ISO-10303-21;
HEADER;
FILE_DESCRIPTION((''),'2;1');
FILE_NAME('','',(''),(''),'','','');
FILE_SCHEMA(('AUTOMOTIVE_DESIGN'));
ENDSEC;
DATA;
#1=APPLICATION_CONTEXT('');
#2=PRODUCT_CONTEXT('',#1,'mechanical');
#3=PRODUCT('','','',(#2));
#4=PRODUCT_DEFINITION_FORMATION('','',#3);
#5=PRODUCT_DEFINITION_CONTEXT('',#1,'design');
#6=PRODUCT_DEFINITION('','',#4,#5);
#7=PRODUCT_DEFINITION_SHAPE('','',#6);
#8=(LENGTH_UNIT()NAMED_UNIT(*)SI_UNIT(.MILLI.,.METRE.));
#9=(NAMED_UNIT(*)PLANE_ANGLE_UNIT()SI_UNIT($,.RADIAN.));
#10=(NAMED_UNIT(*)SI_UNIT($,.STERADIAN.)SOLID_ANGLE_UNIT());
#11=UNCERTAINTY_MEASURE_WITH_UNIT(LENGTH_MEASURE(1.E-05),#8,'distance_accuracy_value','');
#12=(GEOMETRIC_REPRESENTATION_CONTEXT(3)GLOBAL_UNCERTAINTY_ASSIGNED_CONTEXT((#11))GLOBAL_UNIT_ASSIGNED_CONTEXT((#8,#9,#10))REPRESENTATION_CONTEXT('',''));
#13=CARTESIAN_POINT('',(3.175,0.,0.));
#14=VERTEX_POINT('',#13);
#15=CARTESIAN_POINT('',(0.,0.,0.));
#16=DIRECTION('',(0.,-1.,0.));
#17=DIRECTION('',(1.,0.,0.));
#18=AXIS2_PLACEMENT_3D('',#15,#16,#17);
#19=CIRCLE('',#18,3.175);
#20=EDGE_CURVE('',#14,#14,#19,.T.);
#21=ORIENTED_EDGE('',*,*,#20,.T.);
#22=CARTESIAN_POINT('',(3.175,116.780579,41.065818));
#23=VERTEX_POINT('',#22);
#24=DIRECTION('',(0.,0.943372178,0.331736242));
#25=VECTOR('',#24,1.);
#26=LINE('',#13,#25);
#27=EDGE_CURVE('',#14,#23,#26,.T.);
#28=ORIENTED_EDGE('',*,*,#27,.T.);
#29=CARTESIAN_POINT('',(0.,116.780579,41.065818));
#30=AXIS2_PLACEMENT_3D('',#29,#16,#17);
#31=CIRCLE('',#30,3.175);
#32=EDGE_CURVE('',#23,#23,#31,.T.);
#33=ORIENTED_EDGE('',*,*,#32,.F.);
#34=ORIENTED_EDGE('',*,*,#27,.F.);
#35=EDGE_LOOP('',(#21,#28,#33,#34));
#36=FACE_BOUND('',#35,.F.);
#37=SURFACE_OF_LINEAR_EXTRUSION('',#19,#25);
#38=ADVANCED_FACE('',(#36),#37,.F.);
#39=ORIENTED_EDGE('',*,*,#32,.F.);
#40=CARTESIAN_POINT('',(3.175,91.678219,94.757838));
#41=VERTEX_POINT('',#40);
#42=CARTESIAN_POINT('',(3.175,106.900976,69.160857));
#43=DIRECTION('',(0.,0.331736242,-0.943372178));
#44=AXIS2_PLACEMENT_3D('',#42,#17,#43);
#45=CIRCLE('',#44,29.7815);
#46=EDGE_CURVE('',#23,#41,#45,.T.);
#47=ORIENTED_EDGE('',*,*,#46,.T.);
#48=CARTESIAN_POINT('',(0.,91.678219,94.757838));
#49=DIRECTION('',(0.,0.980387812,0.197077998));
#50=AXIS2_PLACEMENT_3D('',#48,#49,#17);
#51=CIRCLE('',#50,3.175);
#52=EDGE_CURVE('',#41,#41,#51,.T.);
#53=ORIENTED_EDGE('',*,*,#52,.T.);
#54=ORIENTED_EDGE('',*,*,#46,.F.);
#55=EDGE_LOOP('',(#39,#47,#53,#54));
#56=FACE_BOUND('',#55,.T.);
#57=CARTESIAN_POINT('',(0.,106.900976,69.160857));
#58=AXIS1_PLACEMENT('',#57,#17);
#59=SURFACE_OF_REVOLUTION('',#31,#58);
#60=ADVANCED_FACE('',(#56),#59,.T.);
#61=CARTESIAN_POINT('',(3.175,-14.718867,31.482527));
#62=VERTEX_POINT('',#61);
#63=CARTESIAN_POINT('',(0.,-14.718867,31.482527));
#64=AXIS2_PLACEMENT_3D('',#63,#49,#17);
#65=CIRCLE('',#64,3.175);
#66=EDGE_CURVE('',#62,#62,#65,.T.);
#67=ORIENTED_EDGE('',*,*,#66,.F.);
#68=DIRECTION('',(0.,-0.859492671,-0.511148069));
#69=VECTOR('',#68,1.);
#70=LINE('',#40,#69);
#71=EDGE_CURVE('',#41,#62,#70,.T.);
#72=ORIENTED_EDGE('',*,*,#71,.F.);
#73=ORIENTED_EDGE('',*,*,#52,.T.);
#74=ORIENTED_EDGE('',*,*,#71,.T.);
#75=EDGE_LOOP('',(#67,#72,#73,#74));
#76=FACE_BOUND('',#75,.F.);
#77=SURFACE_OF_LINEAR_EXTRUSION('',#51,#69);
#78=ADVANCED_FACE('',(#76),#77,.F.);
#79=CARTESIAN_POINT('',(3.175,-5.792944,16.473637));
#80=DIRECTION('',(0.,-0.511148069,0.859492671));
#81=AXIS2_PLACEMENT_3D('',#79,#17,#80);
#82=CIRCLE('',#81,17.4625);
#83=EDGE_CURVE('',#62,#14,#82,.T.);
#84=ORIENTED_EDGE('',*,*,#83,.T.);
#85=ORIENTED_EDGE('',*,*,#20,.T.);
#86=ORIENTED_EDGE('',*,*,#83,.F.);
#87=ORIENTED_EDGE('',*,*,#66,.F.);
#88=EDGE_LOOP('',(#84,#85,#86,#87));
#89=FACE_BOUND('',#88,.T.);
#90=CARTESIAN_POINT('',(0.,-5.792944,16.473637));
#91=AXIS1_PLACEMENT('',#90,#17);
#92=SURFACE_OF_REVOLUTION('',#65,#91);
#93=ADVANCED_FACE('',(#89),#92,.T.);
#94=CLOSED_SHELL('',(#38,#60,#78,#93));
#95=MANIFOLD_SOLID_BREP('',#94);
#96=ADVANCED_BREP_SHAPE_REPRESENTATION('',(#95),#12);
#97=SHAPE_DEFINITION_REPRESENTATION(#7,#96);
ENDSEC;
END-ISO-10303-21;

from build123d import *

# Parameters (mm, degrees)
F1_R = 3.175


with BuildPart() as f2:
    # F2: sweep along a path in F0
    with BuildLine(Plane.YZ) as f2_path:
        Line((0, 0), (116.7805785619, 41.0658181431))
        ThreePointArc((116.7805785619, 41.0658181431), (133.8795887002, 81.7740315502), (91.678219458, 94.7578376406))
        Line((91.678219458, 94.7578376406), (-14.7188672784, 31.4825274239))
        ThreePointArc((-14.7188672784, 31.4825274239), (-21.6119603004, 9.0778517983), (0, 0))
    # F1 (on Front) → F2 (sweep)
    with BuildSketch(Plane.XZ):
        Circle(F1_R)
    sweep(path=f2_path.line)


solid = f2.part
